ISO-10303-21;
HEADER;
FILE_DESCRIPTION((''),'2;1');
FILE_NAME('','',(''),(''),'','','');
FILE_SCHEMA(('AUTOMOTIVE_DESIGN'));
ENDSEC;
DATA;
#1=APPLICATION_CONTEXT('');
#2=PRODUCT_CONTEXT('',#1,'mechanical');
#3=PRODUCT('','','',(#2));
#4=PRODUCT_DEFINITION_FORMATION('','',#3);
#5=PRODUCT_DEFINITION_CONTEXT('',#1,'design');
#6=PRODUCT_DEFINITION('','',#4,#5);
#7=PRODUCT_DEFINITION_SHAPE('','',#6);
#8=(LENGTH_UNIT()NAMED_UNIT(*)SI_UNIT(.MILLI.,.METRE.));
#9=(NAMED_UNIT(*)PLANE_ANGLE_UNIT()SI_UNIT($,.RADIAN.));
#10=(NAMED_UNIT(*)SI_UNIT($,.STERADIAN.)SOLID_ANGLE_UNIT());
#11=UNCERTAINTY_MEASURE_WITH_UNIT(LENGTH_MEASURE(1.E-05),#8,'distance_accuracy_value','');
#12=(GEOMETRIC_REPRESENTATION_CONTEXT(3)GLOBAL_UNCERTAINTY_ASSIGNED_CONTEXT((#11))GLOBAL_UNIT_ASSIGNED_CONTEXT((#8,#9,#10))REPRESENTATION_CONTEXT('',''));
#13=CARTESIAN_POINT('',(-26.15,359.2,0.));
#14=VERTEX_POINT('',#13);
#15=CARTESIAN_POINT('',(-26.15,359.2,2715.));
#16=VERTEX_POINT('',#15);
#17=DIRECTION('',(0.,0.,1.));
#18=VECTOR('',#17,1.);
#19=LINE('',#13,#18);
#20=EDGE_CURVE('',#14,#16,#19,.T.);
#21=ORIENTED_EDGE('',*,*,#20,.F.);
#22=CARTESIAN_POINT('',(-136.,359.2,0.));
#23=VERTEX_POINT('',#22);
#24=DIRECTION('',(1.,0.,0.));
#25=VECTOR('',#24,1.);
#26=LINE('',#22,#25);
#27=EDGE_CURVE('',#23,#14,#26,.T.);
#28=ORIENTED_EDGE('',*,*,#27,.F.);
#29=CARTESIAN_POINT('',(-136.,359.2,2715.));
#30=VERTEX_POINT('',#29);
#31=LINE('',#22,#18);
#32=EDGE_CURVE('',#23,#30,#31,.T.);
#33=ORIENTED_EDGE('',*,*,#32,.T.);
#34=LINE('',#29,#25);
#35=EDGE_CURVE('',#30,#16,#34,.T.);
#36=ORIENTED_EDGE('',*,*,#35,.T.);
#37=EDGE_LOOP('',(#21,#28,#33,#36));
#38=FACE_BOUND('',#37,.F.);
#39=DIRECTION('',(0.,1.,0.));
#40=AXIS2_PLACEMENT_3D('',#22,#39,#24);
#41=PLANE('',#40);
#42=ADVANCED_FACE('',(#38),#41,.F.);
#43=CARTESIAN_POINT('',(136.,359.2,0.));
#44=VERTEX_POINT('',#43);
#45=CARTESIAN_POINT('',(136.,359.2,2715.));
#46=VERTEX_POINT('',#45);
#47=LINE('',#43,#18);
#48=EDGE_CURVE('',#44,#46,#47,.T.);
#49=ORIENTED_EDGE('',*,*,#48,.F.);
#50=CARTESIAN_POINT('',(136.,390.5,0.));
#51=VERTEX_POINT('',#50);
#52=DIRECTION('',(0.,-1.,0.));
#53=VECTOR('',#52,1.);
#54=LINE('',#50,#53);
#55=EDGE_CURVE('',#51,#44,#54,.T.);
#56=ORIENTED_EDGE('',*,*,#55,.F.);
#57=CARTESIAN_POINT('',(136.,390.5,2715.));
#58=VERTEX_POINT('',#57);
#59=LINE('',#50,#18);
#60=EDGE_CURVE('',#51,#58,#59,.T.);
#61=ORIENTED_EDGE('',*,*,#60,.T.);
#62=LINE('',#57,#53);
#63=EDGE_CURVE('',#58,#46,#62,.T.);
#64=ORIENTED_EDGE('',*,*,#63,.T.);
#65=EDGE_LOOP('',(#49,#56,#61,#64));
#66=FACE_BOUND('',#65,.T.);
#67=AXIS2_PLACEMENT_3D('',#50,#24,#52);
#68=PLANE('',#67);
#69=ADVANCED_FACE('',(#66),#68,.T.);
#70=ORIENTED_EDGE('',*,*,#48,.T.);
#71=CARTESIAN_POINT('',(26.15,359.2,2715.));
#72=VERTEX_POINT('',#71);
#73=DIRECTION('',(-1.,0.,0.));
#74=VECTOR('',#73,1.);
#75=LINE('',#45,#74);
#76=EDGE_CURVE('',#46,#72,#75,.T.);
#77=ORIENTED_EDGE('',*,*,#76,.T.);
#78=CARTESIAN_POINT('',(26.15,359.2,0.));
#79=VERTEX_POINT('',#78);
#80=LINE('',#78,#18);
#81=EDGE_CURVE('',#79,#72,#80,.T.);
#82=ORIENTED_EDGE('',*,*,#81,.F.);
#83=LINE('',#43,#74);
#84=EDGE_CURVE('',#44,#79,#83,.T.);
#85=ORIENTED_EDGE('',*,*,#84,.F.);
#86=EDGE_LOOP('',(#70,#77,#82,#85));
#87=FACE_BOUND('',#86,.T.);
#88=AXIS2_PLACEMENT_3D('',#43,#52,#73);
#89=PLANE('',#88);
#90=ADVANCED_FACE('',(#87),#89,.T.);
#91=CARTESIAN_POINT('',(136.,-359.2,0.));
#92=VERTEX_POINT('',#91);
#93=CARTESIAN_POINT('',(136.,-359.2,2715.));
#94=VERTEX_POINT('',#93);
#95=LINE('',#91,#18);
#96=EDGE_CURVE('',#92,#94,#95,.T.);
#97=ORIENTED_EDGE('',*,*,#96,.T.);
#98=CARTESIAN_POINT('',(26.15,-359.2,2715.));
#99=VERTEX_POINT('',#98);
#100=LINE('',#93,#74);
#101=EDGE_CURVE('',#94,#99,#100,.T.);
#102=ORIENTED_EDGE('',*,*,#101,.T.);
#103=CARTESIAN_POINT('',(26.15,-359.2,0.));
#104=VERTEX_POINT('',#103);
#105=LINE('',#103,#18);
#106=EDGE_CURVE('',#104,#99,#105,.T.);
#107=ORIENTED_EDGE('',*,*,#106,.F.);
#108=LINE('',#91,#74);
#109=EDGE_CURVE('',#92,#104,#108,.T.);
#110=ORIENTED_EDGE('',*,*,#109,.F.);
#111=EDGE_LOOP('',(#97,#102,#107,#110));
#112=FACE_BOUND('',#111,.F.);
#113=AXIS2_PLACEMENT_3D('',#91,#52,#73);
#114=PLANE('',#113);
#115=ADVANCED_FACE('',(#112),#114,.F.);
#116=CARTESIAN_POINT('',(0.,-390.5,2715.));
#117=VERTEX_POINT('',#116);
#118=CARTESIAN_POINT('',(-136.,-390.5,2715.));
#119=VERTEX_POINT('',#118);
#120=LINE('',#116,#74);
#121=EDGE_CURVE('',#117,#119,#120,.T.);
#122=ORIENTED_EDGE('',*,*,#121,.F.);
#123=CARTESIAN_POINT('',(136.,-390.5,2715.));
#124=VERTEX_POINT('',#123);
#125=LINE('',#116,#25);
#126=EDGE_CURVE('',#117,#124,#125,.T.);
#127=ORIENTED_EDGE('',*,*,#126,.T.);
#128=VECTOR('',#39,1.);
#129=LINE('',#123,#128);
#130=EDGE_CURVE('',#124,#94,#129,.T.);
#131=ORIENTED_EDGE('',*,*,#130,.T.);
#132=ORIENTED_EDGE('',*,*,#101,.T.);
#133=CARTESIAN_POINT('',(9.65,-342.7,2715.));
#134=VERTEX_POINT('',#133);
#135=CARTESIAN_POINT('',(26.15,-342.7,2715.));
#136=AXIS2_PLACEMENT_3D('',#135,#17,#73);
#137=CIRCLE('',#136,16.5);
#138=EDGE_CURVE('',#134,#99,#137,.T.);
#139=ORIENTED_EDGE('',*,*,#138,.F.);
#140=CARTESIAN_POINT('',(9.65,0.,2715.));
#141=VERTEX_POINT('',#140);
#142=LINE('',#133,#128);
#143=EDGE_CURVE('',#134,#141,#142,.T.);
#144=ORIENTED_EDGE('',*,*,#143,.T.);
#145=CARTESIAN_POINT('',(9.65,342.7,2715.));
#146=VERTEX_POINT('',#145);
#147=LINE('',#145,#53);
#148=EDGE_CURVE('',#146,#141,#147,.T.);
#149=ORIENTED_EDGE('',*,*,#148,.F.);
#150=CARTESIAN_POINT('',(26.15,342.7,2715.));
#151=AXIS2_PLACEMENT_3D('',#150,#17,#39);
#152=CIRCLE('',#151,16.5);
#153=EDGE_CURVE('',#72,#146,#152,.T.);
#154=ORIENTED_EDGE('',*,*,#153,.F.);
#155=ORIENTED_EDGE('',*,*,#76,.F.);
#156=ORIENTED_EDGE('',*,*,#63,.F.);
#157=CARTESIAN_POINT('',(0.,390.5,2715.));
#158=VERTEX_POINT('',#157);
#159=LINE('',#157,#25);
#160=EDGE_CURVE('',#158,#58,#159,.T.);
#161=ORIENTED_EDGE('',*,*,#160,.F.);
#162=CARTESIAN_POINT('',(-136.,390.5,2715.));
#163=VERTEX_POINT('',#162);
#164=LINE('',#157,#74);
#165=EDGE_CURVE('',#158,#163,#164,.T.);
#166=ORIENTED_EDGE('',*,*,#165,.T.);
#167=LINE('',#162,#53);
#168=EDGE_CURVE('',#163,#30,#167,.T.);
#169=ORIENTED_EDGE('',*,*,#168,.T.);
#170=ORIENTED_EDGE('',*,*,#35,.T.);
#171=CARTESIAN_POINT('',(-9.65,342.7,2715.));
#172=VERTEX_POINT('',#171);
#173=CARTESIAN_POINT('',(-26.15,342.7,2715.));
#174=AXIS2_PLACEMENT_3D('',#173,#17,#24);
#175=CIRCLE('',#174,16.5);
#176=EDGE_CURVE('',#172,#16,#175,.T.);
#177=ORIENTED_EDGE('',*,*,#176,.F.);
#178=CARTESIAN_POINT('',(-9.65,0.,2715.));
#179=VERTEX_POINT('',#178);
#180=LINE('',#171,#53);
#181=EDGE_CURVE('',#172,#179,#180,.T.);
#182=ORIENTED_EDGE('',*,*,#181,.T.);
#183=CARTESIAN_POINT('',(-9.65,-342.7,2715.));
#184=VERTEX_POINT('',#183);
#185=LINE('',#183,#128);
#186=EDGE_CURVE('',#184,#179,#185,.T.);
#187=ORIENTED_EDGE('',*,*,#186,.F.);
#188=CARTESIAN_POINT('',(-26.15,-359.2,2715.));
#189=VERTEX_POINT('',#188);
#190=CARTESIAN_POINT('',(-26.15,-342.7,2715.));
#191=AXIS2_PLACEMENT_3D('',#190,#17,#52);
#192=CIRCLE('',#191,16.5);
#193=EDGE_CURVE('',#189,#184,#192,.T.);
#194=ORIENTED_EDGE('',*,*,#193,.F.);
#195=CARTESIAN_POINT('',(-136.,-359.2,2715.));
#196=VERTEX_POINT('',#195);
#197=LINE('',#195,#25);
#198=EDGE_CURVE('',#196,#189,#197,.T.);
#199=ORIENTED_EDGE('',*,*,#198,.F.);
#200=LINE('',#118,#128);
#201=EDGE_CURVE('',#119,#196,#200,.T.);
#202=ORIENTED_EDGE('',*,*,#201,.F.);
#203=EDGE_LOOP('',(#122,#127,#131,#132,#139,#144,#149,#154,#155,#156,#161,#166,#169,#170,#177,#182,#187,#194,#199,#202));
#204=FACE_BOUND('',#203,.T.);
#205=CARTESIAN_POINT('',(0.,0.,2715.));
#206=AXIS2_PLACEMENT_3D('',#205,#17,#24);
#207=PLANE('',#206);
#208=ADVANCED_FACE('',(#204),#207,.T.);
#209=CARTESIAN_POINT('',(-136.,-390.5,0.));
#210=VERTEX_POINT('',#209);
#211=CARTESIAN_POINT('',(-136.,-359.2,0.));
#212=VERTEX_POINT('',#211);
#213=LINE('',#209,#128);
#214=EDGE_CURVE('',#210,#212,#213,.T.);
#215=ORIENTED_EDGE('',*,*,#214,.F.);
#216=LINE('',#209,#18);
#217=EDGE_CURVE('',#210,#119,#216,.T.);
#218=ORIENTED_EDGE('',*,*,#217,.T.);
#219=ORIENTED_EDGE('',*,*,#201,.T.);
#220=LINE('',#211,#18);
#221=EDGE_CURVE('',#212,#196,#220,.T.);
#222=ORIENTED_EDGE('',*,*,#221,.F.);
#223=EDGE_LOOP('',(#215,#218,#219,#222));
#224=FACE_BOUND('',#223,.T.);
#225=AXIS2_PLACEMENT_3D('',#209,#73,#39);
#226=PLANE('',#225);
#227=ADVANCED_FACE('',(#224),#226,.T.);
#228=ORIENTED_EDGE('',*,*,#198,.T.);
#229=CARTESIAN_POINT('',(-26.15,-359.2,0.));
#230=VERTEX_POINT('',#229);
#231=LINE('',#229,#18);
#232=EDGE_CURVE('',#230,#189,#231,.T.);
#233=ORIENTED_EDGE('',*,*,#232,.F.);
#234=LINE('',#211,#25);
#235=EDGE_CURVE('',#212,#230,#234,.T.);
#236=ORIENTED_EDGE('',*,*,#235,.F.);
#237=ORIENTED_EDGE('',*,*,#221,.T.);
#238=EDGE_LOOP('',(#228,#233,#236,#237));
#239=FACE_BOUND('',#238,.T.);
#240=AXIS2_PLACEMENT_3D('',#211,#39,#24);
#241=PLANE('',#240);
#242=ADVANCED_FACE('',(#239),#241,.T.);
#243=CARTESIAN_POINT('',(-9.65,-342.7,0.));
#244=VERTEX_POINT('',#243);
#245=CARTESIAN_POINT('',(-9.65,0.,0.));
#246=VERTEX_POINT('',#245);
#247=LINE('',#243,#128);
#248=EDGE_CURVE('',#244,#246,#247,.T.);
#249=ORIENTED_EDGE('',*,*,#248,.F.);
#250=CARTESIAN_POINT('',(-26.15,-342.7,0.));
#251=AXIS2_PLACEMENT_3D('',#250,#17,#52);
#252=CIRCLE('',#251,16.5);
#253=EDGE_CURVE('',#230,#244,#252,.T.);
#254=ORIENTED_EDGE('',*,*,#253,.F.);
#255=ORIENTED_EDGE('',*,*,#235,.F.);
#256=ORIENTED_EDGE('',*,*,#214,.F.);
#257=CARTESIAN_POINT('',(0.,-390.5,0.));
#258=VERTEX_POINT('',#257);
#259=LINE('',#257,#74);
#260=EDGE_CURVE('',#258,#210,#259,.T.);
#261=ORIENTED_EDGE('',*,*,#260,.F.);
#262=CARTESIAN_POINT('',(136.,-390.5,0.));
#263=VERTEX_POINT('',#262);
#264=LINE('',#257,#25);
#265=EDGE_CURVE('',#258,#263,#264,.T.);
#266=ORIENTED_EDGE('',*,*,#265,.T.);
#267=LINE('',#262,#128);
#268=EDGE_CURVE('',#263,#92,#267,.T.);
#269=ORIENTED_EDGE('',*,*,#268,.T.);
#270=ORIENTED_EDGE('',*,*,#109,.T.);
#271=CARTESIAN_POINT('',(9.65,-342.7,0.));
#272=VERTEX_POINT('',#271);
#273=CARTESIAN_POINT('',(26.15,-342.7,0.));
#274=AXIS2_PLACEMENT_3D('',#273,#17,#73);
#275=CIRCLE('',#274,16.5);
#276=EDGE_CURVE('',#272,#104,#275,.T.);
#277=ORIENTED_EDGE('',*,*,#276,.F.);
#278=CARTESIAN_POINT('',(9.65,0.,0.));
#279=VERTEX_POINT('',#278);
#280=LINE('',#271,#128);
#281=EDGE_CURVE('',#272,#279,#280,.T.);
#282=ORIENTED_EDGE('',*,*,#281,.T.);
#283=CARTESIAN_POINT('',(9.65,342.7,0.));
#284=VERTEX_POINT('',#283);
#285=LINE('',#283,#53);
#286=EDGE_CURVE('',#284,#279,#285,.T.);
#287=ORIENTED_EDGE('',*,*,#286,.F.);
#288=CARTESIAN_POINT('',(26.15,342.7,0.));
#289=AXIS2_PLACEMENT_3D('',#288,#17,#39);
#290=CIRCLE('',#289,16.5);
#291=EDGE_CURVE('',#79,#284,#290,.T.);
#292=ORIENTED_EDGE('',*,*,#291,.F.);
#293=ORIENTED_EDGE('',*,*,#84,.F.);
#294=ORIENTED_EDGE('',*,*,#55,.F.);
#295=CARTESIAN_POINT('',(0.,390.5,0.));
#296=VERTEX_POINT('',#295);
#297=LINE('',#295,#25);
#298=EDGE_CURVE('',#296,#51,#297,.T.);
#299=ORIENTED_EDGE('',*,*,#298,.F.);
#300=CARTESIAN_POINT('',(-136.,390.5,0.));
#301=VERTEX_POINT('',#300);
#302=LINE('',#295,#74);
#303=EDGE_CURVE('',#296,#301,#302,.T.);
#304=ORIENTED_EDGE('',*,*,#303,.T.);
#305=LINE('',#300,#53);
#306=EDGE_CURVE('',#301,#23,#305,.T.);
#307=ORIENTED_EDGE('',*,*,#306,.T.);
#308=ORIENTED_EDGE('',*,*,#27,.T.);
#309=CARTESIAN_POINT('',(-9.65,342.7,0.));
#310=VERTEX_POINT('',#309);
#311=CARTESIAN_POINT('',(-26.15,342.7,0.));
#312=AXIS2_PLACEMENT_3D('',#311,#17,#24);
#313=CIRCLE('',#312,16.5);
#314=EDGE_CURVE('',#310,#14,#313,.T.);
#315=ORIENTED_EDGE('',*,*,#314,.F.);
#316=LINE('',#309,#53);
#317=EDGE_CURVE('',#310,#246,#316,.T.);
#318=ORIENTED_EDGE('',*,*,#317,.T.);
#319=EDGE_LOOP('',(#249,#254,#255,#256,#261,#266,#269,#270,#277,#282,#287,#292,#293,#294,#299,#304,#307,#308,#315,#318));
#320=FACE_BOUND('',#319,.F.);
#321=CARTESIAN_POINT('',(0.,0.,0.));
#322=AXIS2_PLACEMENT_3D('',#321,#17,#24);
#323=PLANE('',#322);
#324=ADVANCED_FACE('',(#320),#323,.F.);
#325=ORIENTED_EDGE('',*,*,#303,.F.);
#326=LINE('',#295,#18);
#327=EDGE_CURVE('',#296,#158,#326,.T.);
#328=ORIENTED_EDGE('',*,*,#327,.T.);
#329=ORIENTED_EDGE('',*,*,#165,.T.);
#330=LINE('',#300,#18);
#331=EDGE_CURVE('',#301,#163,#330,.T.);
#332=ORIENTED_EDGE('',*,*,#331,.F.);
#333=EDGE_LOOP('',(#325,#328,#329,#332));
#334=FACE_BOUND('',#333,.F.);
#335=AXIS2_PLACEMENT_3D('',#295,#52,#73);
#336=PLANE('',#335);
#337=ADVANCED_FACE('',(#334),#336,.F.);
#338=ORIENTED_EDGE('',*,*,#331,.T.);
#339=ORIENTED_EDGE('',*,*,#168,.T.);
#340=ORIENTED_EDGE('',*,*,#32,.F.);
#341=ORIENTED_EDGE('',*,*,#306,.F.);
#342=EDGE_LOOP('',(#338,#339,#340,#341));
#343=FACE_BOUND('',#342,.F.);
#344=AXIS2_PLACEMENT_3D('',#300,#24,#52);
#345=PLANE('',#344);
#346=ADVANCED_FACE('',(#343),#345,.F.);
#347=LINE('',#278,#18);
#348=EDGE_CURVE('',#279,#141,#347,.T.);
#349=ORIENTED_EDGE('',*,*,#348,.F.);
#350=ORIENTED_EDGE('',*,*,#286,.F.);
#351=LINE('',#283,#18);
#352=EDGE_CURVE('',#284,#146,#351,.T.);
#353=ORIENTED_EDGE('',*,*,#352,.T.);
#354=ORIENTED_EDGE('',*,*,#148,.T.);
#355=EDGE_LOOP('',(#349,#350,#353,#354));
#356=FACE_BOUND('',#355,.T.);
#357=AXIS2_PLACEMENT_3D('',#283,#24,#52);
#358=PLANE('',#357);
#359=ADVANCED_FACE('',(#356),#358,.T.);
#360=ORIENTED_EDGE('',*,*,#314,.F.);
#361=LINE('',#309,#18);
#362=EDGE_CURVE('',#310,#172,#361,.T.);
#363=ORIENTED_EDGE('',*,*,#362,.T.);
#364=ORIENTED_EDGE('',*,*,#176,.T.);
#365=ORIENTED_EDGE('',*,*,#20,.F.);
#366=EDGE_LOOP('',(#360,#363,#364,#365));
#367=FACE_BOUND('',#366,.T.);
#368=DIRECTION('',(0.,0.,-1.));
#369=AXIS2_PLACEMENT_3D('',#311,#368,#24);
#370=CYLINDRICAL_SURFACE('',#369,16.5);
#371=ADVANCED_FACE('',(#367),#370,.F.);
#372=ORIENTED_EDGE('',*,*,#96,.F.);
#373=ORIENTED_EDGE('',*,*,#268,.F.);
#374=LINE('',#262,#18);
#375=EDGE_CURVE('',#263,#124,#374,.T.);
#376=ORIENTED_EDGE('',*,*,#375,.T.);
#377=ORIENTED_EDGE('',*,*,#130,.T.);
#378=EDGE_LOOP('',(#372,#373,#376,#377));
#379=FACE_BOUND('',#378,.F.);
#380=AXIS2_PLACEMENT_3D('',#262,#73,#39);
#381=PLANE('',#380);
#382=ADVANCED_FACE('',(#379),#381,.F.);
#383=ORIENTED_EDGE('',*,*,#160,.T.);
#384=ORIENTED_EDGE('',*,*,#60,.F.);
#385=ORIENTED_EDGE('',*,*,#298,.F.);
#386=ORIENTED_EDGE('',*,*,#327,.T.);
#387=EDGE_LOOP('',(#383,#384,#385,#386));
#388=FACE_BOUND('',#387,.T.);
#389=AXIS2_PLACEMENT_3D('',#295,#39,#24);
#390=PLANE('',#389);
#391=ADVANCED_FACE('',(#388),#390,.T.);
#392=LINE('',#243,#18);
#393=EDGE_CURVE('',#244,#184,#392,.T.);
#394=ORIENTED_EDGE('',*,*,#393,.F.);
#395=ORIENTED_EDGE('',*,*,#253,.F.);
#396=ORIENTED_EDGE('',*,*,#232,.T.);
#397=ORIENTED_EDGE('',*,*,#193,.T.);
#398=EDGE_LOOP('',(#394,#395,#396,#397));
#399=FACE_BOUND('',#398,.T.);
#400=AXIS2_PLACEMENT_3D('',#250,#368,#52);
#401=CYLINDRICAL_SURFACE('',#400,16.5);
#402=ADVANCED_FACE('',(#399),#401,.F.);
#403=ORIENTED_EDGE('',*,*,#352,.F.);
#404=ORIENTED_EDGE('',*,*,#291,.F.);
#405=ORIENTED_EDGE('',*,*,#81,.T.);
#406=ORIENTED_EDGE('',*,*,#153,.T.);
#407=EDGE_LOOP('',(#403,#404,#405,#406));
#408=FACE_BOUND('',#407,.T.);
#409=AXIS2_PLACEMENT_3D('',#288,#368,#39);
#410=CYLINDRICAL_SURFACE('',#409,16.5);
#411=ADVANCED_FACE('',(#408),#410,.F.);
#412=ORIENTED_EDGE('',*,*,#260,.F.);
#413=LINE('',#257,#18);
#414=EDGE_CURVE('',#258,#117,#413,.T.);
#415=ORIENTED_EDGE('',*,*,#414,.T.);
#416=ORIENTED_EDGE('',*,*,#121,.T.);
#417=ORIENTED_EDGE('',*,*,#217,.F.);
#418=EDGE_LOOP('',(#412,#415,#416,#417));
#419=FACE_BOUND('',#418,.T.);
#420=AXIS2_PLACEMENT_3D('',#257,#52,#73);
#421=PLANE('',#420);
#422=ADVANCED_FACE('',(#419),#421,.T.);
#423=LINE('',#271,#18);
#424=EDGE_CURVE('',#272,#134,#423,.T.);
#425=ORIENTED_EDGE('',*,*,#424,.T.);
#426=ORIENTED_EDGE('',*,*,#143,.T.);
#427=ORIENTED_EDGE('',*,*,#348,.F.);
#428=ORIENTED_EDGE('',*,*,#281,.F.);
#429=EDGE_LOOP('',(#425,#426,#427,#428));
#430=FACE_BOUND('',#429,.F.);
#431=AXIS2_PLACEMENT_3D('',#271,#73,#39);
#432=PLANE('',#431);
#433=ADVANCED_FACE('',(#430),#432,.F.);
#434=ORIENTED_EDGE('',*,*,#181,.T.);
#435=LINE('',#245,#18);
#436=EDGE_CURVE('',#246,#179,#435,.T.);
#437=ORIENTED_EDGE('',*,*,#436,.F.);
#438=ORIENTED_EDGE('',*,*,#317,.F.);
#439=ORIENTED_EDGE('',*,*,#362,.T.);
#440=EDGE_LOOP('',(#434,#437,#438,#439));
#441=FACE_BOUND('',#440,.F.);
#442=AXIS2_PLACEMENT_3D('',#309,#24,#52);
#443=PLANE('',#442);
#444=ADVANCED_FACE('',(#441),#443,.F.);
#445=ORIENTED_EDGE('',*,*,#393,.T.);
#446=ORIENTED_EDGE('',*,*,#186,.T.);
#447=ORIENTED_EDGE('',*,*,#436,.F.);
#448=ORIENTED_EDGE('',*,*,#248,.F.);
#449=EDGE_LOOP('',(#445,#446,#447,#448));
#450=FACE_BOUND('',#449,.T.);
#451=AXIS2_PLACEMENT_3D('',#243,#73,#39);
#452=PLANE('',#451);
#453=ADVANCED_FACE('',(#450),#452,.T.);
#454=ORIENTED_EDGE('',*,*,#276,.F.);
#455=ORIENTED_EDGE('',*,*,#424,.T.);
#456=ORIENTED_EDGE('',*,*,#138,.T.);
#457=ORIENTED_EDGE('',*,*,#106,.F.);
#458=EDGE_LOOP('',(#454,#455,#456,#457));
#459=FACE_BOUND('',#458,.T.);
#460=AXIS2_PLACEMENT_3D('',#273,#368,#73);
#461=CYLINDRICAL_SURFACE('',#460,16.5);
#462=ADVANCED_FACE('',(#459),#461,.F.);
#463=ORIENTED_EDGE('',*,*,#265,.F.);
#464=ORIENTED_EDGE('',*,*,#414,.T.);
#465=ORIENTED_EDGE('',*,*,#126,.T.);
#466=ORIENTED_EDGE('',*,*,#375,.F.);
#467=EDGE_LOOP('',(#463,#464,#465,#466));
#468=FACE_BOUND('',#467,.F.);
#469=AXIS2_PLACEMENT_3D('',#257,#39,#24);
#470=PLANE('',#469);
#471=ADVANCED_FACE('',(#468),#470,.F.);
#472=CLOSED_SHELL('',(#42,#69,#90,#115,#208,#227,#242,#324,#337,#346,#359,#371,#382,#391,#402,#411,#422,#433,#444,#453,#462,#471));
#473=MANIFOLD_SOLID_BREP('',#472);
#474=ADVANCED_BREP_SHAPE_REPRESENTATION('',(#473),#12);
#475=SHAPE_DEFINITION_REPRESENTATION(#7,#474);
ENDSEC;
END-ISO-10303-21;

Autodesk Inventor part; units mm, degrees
ref_plane "YZ Plane" through (0, 0, 0) normal (1, 0, 0) x (0, 1, 0)
ref_plane "Start plane" through (0, 0, 0) normal (0, 0, 1) x (1, 0, 0)
ref_plane "End plane" through (0, 0, 2715) normal (0, 0, 1) x (1, 0, 0)
sketch "Sketch" plane through (0, 0, 0) normal (0, 0, 1) x (1, 0, 0)
  line L0 (-136, -390.5) -> (-136, -359.2)
  line L1 (-136, -359.2) -> (-26.15, -359.2)
  line L2 (-9.65, -342.7) -> (-9.65, 0)
  line L3 (-9.65, 0) -> (0, 0) construction
  line L4 (0, 0) -> (0, -390.5) construction
  line L5 (0, -390.5) -> (-136, -390.5)
  line L6 (-60, 0) -> (80, 0) construction
  line L7 (0, -60) -> (0, 80) construction
  line L8 (136, -390.5) -> (136, -359.2)
  line L9 (136, -359.2) -> (26.15, -359.2)
  line L10 (9.65, -342.7) -> (9.65, 0)
  line L11 (9.65, 0) -> (0, 0) construction
  line L12 (0, -390.5) -> (136, -390.5)
  line L13 (-136, 390.5) -> (-136, 359.2)
  line L14 (-136, 359.2) -> (-26.15, 359.2)
  line L15 (-9.65, 342.7) -> (-9.65, 0)
  line L16 (0, 390.5) -> (-136, 390.5)
  line L17 (136, 390.5) -> (136, 359.2)
  line L18 (136, 359.2) -> (26.15, 359.2)
  line L19 (0, 390.5) -> (136, 390.5)
  line L20 (9.65, 342.7) -> (9.65, 0)
  arc A0 (-9.65, 342.7) -> (-26.15, 359.2) centre (-26.15, 342.7) ccw
  arc A1 (26.15, 359.2) -> (9.65, 342.7) centre (26.15, 342.7) ccw
  arc A2 (9.65, -342.7) -> (26.15, -359.2) centre (26.15, -342.7) ccw
  arc A3 (-26.15, -359.2) -> (-9.65, -342.7) centre (-26.15, -342.7) ccw
  line L21 (0, 108) -> (0, -88) construction
  line L22 (-88, 0) -> (108, 0) construction
  point P0 (-9.65, -359.2)
  point P1 (9.65, -359.2)
  point P2 (-9.65, 359.2)
  point P3 (9.65, 359.2)
  dimension "d1" = 390.5
  dimension "d2" = 31.3
  dimension "d3" = 136
  dimension "d4" = 9.65
  dimension "d10" = 16.5
extrude "Body" add sketch "Sketch" along normal up to surface (2715 mm away) from surface at 0
sketch "Sketch4" plane through (0, 0, 0) normal (0, 0, 1) x (1, 0, 0)
  line L0 (0, 0) -> (10, 0)
ref_plane "Work Plane3" through (0, 0, 0) normal (0, -1, 0) x (1, 0, 0)
sketch "Sketch5" plane through (0, 0, 0) normal (0, -1, 0) x (1, 0, 0)
  line L0 (-2, 0) -> (12, 0) projected
  line L1 (-2, 2715) -> (12, 2715) projected
  dimension "d14" = 2715
equation "\"d1\" = 0.5 * G_H"
equation "\"d2\" = G_T1"
equation "\"d3\" = 0.5 * G_W"
equation "\"d4\" = 0.5 * G_T"
equation "\"d10\" = G_IR"
equation "\"d5\" = G_L"
equation "\"G_W\" = 272"
equation "\"G_H\" = 781"
equation "\"G_T\" = 19.3"
equation "\"G_T1\" = 31.3"
equation "\"G_IR\" = 16.5"
equation "\"G_L\" = d14"
equation "\"G_OFFSET_START\" = 0"
equation "\"G_OFFSET_END\" = 0"
equation "\"d12\" = G_OFFSET_END + B_L"
equation "\"B_L\" = 2715"
properties part number "AS 3679-1990 - 760 UB - 244 - 2715" material "Steel, Mild"
